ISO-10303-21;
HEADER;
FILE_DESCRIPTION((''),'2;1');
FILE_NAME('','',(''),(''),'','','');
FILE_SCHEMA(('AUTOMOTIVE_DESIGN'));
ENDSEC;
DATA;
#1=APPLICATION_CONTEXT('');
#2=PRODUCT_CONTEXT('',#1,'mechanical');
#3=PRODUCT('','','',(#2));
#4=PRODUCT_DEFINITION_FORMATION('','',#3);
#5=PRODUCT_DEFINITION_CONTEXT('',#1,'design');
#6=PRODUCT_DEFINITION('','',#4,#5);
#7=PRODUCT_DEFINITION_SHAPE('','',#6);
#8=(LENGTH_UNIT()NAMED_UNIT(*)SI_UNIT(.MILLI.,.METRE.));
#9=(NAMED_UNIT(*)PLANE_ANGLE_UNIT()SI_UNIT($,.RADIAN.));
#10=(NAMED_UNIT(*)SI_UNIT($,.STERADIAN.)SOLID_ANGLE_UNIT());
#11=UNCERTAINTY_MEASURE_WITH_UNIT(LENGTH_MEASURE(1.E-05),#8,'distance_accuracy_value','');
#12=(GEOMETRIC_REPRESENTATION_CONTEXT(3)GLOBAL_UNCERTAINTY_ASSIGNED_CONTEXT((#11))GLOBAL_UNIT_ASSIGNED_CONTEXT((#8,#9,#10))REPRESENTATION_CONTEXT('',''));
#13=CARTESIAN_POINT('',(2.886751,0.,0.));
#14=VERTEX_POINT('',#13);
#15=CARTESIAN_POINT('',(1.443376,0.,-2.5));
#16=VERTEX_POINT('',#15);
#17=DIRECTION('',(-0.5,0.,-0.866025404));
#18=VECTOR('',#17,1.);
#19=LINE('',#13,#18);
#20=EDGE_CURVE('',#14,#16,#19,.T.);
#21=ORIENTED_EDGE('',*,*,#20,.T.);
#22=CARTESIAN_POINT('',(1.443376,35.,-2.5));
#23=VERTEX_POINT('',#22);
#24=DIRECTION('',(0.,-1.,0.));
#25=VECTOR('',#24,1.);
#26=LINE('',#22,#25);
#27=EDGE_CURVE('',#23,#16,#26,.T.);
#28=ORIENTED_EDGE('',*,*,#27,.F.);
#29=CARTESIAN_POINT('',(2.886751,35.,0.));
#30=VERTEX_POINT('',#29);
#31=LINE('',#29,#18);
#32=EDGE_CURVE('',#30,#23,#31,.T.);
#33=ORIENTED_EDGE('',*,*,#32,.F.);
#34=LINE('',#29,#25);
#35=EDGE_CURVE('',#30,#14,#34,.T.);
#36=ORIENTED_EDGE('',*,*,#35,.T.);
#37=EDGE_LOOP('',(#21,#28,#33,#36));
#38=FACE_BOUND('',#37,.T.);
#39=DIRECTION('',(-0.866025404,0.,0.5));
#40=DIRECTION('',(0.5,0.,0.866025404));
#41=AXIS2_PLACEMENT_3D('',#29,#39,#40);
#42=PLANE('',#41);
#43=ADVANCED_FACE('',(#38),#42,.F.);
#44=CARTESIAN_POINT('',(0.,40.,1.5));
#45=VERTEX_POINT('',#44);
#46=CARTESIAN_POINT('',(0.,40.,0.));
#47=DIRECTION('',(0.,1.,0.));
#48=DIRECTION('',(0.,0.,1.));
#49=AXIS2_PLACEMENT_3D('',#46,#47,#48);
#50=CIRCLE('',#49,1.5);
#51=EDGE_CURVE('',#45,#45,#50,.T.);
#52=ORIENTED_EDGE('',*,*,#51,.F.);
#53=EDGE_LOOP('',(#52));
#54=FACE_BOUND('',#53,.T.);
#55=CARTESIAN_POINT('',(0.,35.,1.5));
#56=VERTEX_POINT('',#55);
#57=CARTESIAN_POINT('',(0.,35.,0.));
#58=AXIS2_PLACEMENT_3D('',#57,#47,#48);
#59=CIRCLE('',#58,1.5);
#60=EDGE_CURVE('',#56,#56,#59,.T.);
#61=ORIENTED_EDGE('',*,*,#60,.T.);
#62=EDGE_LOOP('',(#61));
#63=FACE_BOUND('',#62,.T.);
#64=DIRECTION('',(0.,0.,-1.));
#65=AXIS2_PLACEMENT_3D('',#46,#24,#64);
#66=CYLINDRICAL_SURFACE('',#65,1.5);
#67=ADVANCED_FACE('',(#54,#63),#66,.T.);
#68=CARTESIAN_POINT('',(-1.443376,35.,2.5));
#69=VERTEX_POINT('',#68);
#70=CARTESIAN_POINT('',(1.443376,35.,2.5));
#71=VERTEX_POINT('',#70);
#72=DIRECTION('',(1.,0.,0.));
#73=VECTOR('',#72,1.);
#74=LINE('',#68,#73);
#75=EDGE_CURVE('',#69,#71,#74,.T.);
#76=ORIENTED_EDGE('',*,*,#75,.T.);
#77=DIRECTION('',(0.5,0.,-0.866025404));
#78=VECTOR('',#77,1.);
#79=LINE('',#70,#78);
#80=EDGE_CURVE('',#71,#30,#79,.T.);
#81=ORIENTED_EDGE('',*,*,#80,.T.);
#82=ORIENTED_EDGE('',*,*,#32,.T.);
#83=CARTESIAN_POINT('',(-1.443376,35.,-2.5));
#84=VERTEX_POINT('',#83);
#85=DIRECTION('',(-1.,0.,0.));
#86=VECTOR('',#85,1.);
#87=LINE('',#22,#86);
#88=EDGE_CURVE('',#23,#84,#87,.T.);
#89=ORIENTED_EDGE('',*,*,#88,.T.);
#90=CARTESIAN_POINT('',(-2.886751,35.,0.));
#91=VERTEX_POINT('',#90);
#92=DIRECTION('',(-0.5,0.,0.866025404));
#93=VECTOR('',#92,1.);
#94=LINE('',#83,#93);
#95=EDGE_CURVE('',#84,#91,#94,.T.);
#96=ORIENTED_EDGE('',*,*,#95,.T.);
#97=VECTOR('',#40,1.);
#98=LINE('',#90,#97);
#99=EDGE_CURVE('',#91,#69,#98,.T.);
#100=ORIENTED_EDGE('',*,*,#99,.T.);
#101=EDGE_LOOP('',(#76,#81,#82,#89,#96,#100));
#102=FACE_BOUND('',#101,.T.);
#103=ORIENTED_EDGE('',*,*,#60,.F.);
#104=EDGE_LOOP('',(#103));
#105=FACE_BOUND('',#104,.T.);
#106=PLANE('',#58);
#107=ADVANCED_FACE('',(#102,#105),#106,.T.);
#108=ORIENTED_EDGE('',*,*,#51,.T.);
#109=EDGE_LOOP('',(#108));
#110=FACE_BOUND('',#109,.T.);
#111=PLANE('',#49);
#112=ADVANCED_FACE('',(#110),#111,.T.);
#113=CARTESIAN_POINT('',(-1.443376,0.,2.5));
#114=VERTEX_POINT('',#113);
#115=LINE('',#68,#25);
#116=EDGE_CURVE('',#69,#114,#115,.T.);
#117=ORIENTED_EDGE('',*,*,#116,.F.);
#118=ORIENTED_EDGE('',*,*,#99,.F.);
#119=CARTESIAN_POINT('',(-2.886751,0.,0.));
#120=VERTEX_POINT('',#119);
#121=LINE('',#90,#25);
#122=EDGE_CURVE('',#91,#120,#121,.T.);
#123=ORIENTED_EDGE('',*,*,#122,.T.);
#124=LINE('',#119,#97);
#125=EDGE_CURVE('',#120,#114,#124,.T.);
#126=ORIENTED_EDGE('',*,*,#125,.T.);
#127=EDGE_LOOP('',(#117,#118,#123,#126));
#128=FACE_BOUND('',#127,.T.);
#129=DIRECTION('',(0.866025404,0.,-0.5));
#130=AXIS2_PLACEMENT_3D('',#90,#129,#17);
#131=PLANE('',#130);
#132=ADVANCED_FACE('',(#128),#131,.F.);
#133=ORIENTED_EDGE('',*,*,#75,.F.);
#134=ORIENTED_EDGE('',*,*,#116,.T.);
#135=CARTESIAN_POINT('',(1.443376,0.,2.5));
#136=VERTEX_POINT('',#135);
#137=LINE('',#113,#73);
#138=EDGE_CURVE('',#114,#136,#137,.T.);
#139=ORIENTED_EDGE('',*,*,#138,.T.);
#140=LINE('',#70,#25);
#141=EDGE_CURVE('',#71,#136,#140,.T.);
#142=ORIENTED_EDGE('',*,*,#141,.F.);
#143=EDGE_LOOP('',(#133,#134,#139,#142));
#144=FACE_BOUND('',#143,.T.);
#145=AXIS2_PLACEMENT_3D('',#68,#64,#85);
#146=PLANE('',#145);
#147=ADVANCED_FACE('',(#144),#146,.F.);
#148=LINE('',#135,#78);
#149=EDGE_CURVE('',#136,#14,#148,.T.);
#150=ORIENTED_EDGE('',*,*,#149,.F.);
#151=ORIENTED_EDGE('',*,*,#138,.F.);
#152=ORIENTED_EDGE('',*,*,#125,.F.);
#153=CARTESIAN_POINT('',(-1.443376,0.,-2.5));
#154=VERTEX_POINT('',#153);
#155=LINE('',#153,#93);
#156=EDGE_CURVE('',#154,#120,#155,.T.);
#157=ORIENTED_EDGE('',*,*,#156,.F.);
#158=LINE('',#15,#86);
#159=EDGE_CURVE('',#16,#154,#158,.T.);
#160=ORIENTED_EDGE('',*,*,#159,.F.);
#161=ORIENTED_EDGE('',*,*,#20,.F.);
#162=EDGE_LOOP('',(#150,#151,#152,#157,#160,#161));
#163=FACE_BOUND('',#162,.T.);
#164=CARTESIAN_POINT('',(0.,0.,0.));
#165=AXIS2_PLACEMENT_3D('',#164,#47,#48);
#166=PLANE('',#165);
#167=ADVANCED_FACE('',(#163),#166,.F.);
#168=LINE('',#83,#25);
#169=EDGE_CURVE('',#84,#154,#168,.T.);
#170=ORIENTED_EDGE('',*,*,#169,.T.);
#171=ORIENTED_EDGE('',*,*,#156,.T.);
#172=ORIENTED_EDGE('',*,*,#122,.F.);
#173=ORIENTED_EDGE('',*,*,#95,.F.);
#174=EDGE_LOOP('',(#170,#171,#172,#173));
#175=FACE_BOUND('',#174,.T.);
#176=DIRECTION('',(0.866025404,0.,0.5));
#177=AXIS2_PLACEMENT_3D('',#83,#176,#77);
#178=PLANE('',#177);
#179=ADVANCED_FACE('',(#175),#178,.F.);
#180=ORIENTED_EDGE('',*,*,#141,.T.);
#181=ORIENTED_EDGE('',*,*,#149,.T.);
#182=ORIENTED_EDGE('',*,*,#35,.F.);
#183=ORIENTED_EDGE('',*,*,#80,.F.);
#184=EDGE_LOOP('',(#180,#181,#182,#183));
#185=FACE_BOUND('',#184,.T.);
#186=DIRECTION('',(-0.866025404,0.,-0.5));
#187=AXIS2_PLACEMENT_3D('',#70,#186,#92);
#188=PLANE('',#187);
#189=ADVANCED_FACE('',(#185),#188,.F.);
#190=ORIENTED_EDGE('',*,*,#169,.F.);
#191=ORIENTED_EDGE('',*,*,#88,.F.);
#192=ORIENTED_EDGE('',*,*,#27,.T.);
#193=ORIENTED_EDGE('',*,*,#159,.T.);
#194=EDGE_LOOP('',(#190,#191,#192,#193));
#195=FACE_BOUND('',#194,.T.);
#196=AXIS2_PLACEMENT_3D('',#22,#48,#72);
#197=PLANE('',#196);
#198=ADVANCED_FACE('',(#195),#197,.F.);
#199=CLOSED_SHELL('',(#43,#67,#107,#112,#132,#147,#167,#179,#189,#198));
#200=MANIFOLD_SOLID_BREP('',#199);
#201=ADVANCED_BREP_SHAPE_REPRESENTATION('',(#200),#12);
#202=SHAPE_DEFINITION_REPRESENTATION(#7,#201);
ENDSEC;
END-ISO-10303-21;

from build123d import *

# Parameters (mm, degrees)
EXTRUDE_1_DEPTH = 35
SKETCH_2_R      = 1.5
EXTRUDE_2_DEPTH = 5


with BuildPart() as part:
    # 草圖1 → 填料-伸長1 (new body)
    with BuildSketch(Plane(origin=(0, 0, 0), x_dir=(1, 0, 0), z_dir=(0, 1, 0))):
        Polygon((2.886751346, 0), (1.443375673, 2.5), (-1.443375673, 2.5), (-2.886751346, 0), (-1.443375673, -2.5), (1.443375673, -2.5), align=None)
    extrude(amount=EXTRUDE_1_DEPTH)

    # 草圖2 → 填料-伸長2 (add)
    with BuildSketch(Plane(origin=(0, 35, 0), x_dir=(1, 0, 0), z_dir=(0, 1, 0))):
        Circle(SKETCH_2_R)
    extrude(amount=EXTRUDE_2_DEPTH)


solid = part.part
